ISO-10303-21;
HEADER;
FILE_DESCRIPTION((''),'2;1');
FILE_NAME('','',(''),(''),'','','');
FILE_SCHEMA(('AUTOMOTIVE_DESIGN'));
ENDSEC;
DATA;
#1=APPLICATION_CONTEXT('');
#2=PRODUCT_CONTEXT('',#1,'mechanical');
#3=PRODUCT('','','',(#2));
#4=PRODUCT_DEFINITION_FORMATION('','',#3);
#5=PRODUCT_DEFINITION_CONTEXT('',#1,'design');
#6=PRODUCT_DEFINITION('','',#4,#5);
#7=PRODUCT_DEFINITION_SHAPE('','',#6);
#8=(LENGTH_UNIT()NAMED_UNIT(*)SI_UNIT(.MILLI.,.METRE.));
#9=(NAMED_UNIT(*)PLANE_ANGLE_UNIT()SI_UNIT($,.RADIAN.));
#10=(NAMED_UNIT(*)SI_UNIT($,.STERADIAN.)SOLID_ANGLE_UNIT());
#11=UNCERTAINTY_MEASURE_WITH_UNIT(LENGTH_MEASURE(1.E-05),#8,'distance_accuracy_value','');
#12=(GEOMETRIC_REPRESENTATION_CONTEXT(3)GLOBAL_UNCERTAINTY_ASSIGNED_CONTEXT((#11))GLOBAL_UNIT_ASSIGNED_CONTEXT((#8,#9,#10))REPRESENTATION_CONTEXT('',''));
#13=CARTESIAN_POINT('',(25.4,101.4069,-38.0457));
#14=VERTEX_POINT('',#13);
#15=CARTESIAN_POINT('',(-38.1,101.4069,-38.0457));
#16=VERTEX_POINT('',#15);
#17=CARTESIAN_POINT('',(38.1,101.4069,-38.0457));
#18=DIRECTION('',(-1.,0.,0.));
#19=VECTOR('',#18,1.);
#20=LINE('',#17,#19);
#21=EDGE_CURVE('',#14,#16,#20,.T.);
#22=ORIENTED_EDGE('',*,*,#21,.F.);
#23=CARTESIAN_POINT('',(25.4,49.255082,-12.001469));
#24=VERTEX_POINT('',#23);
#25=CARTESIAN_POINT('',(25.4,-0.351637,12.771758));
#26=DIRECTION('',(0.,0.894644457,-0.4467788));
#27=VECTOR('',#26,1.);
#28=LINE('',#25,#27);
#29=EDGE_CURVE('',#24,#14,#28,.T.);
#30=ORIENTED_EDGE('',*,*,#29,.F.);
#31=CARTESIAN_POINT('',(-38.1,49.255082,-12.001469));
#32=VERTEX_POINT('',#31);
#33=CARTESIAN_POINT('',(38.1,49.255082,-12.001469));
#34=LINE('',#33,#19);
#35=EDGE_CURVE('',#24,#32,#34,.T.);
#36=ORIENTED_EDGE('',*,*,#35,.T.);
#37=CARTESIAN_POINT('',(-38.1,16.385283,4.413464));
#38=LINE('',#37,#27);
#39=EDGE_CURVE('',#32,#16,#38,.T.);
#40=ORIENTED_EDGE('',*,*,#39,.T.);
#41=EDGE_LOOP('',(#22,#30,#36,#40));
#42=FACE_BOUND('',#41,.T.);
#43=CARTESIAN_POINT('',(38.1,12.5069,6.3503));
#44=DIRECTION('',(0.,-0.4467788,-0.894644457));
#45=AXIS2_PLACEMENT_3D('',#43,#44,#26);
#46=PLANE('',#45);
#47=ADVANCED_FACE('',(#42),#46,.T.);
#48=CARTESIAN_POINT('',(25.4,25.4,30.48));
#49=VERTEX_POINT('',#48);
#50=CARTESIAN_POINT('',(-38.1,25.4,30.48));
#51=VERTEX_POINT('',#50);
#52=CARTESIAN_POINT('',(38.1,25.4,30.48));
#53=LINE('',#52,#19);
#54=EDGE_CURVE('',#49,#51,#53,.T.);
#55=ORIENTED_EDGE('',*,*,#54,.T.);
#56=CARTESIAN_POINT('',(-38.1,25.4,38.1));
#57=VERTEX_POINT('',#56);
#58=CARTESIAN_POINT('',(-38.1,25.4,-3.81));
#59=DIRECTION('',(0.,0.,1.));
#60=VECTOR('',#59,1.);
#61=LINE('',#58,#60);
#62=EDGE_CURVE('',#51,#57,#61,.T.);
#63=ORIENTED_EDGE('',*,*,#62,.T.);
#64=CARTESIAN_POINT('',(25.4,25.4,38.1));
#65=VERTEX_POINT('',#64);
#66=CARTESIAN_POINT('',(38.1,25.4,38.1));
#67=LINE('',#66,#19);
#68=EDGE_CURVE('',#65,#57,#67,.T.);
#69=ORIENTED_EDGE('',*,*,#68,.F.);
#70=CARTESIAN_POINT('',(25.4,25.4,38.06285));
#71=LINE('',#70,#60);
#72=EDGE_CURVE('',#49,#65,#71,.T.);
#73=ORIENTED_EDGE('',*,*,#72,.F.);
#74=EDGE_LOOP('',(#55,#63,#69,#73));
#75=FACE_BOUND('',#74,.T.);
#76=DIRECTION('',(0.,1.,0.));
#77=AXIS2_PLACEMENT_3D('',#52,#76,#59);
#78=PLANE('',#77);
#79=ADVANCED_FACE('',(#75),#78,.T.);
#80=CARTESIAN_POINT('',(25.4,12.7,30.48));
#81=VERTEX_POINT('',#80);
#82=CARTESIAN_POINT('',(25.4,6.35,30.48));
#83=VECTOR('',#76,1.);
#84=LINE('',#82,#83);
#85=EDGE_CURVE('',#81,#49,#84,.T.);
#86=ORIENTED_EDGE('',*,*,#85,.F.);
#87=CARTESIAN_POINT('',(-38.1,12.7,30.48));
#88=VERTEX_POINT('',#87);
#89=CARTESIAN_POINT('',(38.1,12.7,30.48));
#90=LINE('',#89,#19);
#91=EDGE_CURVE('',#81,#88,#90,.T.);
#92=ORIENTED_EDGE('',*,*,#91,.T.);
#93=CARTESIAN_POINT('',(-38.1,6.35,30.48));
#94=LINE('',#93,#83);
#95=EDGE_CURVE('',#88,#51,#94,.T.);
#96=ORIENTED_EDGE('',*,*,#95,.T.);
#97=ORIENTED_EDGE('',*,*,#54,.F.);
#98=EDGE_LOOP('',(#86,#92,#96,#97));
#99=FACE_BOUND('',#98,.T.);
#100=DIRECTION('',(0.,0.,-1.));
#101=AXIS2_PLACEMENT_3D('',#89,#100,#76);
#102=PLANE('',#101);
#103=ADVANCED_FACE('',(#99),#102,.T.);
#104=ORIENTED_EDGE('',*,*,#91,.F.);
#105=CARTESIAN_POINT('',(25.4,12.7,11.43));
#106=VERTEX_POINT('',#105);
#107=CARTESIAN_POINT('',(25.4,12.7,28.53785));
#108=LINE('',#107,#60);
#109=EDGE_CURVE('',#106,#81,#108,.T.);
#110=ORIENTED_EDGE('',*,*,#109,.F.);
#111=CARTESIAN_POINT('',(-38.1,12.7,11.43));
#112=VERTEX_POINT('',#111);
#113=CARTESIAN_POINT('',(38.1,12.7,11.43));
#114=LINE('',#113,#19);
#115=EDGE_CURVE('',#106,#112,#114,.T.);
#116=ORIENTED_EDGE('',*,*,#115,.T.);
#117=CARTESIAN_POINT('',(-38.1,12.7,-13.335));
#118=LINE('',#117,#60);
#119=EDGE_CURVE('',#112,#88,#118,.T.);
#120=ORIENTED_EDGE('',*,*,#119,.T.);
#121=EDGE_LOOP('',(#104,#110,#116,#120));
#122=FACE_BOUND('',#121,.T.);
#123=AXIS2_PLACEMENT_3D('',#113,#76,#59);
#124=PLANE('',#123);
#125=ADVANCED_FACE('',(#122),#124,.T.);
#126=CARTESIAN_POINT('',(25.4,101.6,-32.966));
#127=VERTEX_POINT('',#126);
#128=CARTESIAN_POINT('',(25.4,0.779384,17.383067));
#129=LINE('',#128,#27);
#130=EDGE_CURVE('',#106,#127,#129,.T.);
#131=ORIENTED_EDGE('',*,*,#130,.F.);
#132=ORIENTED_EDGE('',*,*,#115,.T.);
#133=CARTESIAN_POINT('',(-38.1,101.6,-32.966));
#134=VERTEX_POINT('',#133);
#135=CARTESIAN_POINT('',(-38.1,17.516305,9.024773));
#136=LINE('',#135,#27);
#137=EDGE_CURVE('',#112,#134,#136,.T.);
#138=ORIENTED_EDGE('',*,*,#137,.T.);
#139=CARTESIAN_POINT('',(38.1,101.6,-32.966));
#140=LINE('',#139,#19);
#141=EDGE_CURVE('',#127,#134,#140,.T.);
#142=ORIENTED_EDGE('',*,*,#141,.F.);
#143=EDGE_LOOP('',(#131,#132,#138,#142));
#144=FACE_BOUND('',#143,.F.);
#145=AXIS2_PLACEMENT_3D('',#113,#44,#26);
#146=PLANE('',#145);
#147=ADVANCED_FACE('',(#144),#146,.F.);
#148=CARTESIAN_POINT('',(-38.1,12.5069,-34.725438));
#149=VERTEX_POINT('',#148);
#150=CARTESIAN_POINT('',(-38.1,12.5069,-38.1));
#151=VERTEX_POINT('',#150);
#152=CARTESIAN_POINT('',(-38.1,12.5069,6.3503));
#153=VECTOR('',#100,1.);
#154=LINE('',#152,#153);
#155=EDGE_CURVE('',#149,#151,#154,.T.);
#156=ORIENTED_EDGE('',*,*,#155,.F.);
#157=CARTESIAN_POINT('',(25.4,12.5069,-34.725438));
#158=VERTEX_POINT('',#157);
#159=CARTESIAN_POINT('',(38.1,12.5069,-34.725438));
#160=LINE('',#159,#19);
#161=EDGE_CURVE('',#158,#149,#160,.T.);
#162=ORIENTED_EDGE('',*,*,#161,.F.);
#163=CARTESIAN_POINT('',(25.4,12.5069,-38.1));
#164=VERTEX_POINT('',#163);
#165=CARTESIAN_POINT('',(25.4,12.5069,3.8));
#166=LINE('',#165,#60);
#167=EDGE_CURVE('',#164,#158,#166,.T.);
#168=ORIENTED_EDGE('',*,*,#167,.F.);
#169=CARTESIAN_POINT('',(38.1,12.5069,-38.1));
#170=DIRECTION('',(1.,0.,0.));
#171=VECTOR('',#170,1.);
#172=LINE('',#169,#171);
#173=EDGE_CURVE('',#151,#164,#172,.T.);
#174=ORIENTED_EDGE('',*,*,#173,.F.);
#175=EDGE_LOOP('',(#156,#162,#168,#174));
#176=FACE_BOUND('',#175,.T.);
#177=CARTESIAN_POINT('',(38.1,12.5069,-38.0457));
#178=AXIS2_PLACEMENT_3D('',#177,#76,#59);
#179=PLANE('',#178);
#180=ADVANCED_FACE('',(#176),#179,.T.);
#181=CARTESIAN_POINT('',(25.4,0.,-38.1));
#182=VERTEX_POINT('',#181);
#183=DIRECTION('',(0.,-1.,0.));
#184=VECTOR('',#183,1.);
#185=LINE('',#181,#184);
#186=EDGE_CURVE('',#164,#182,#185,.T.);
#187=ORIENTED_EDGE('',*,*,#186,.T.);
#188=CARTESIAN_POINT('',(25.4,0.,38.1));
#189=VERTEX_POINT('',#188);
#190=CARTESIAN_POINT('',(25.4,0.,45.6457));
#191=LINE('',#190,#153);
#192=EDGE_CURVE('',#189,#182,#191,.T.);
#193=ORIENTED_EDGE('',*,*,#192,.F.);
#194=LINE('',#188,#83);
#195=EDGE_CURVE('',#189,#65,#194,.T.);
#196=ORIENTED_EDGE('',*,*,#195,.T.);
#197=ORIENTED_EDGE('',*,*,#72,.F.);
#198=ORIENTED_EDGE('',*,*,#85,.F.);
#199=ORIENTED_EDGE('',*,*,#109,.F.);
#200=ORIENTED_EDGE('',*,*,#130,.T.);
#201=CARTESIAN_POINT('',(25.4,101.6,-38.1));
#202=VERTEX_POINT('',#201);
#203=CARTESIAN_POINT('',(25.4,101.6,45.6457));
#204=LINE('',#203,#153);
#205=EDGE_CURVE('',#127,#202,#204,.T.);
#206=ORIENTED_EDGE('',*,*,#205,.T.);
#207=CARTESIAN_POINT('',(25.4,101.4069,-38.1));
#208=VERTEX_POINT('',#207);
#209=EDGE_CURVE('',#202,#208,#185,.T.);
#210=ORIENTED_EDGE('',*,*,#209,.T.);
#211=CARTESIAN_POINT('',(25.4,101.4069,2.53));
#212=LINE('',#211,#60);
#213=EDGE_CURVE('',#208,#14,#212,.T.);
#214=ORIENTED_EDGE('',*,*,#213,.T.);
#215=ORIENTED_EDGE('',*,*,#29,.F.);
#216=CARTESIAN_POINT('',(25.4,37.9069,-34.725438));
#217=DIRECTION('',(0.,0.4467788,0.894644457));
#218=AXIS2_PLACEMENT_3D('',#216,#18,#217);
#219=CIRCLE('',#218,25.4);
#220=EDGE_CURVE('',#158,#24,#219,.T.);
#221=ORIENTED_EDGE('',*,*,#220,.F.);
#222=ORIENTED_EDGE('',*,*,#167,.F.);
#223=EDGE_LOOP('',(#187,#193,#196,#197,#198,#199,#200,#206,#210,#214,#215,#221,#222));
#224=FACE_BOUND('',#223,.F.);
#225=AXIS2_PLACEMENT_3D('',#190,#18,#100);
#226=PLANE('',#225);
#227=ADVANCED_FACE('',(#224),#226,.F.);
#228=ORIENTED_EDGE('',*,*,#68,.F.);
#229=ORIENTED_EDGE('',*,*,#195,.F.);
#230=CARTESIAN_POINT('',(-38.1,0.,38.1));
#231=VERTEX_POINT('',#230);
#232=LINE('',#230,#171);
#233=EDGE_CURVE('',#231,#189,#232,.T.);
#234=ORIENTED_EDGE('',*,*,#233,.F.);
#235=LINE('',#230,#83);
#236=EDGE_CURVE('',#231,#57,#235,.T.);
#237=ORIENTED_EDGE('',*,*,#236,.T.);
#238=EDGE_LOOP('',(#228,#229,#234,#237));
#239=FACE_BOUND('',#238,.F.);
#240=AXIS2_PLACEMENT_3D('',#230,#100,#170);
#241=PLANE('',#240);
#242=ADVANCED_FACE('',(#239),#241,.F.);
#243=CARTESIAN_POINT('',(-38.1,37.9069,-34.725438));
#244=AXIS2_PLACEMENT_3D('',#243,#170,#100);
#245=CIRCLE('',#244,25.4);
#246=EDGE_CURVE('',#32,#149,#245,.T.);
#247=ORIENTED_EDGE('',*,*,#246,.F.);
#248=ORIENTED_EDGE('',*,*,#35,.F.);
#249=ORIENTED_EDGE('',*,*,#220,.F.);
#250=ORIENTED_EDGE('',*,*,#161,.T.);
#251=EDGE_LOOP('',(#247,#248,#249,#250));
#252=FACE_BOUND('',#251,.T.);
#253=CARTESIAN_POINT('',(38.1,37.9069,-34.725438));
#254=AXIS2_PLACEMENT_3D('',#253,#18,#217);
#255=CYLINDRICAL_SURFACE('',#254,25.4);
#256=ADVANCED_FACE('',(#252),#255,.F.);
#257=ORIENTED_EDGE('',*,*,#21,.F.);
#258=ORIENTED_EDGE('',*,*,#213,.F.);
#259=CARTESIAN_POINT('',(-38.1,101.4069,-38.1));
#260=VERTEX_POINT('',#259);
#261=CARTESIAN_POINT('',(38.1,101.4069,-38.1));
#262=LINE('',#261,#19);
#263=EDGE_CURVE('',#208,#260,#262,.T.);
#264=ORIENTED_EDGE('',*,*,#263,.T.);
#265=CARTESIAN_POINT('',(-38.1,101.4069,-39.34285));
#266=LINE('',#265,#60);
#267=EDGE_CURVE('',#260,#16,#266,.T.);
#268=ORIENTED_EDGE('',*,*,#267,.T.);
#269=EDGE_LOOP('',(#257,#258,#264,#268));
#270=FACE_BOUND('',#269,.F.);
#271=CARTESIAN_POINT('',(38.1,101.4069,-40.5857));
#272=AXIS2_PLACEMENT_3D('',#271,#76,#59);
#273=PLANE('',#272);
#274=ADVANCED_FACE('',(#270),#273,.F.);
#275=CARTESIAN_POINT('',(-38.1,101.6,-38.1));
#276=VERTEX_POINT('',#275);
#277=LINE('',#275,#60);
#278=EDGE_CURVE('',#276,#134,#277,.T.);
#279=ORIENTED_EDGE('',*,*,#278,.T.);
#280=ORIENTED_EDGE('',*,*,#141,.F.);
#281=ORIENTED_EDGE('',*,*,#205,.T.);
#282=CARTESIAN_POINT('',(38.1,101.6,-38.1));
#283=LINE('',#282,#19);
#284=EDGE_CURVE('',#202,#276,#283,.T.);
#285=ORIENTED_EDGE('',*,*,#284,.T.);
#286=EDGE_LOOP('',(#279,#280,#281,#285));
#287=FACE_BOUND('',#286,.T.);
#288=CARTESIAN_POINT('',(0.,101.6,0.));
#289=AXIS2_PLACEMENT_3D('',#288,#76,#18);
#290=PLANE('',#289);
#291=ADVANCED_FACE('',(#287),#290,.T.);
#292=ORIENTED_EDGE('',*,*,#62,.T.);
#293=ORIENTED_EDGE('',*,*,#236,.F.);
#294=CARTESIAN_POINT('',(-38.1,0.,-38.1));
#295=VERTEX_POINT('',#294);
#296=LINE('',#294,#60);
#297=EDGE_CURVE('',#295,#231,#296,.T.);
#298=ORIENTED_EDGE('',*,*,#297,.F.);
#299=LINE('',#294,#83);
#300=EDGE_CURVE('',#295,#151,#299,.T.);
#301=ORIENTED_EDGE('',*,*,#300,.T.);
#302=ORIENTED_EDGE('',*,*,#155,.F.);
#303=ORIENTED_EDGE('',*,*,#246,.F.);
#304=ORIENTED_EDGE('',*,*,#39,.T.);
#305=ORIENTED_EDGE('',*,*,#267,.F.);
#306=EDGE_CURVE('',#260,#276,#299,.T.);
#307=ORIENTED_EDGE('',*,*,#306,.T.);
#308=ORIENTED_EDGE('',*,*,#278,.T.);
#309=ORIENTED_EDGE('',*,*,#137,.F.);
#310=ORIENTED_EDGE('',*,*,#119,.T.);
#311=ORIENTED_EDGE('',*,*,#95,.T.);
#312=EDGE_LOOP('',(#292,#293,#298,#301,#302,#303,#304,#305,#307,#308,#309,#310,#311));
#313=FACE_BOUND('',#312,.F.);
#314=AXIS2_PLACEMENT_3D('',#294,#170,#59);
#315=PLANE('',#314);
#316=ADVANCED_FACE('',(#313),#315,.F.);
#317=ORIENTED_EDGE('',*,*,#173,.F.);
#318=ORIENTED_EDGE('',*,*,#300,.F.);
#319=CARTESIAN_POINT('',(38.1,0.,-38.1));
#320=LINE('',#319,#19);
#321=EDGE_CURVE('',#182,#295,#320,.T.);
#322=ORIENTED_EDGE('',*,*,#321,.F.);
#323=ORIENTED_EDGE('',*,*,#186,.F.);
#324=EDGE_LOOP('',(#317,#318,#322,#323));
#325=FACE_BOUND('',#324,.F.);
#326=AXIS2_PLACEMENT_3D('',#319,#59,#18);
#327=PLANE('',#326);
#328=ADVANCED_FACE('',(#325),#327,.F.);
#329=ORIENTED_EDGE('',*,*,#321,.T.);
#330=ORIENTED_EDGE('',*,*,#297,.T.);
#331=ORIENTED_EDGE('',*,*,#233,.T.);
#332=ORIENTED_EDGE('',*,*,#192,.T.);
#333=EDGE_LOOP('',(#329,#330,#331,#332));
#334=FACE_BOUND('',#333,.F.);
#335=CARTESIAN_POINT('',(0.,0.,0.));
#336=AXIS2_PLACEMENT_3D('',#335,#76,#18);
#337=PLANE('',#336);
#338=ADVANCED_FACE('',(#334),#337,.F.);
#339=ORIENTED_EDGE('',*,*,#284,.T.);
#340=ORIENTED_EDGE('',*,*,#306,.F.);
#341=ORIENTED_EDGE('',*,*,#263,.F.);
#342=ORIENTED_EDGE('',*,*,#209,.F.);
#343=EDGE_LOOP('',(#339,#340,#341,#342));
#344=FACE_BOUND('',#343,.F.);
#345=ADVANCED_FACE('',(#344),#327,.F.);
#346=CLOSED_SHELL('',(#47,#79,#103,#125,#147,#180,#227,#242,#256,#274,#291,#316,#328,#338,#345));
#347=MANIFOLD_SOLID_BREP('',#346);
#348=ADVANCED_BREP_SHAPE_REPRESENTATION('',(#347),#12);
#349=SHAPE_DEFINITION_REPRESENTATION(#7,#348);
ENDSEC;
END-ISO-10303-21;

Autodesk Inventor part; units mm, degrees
ref_plane "YZ Plane" through (0, 0, 0) normal (1, 0, 0) x (0, 1, 0)
ref_plane "XZ Plane" through (0, 0, 0) normal (0, 1, 0) x (-1, 0, 0)
ref_plane "XY Plane" through (0, 0, 0) normal (0, 0, 1) x (1, 0, 0)
sketch "Sketch1" plane through (0, 0, 0) normal (0, 1, 0) x (-1, 0, 0)
  line L0 (38.1, 38.1) -> (-38.1, 38.1)
  line L1 (-38.1, 38.1) -> (-38.1, -38.1)
  line L2 (-38.1, -38.1) -> (38.1, -38.1)
  line L3 (38.1, -38.1) -> (38.1, 38.1)
  line L4 (38.1, 38.1) -> (-38.1, -38.1) construction
  line L5 (-38.1, 38.1) -> (38.1, -38.1) construction
  point P0 (0, 0)
  dimension "d0" = 76.2
  dimension "d1" = 76.2
extrude "Extrusion1" add sketch "Sketch1" along normal blind 101.6
sketch "Sketch2" plane through (38.1, 0, 38.1) normal (1, 0, 0) x (0, 0, -1)
  line L0 (31.7497, 12.5069) -> (76.1457, 101.4069)
  line L1 (76.1457, 101.4069) -> (165.0457, 101.4069) construction
  line L2 (76.1457, 12.5069) -> (31.7497, 12.5069)
  line L3 (76.1457, 12.5069) -> (78.6857, 12.5069)
  line L4 (78.6857, 12.5069) -> (78.6857, 101.4069)
  line L5 (78.6857, 101.4069) -> (76.1457, 101.4069)
  point P0 (38.1, 0)
  dimension "d8" = 88.9
  dimension "d10" = 2.54
  dimension "d11" = 88.9
extrude "Extrusion2" cut sketch "Sketch2" against normal blind 101.6
fillet "Fillet1" radius 25.4 1 edges at (0, 12.5069, 6.3503)
sketch "Sketch3" plane through (38.1, 0, 38.1) normal (1, 0, 0) x (0, 0, -1)
  line L0 (7.62, 25.4) -> (0, 25.4)
  line L1 (26.67, 12.7) -> (7.62, 12.7)
  line L2 (26.67, 12.7) -> (71.066, 101.6)
  line L3 (76.2, 101.6) -> (0, 101.6) projected
  line L4 (0, 25.4) -> (-2.0413, 103.693)
  line L5 (-2.0413, 103.693) -> (71.066, 101.6)
  line L6 (7.62, 12.7) -> (7.62, 25.4)
  line L7 (50.1015, 49.2551) -> (76.1457, 101.4069) projected
  point P0 (38.1, 0)
  dimension "d15" = 7.62
  dimension "d17" = 19.05
extrude "Extrusion3" cut sketch "Sketch3" against normal blind 101.6
sketch "Sketch4" plane through (0, 0, 0) normal (0, -1, 0) x (1, 0, 0)
  line L0 (50.8, 45.6457) -> (25.4, 45.6457)
  line L1 (25.4, 45.6457) -> (25.4, -45.6457)
  line L2 (25.4, -45.6457) -> (50.8, -45.6457)
  line L3 (50.8, -45.6457) -> (50.8, 45.6457)
  line L4 (38.1, -32.966) -> (38.1, 11.43) projected
  line L5 (50.8, 45.6457) -> (25.4, -45.6457) construction
  line L6 (25.4, 45.6457) -> (50.8, -45.6457) construction
  point P0 (0, 0)
  point P1 (38.1, 0)
  dimension "d21" = 25.4
extrude "Extrusion4" cut sketch "Sketch4" against normal blind 101.6
properties part number "hahahaurwelcome"
